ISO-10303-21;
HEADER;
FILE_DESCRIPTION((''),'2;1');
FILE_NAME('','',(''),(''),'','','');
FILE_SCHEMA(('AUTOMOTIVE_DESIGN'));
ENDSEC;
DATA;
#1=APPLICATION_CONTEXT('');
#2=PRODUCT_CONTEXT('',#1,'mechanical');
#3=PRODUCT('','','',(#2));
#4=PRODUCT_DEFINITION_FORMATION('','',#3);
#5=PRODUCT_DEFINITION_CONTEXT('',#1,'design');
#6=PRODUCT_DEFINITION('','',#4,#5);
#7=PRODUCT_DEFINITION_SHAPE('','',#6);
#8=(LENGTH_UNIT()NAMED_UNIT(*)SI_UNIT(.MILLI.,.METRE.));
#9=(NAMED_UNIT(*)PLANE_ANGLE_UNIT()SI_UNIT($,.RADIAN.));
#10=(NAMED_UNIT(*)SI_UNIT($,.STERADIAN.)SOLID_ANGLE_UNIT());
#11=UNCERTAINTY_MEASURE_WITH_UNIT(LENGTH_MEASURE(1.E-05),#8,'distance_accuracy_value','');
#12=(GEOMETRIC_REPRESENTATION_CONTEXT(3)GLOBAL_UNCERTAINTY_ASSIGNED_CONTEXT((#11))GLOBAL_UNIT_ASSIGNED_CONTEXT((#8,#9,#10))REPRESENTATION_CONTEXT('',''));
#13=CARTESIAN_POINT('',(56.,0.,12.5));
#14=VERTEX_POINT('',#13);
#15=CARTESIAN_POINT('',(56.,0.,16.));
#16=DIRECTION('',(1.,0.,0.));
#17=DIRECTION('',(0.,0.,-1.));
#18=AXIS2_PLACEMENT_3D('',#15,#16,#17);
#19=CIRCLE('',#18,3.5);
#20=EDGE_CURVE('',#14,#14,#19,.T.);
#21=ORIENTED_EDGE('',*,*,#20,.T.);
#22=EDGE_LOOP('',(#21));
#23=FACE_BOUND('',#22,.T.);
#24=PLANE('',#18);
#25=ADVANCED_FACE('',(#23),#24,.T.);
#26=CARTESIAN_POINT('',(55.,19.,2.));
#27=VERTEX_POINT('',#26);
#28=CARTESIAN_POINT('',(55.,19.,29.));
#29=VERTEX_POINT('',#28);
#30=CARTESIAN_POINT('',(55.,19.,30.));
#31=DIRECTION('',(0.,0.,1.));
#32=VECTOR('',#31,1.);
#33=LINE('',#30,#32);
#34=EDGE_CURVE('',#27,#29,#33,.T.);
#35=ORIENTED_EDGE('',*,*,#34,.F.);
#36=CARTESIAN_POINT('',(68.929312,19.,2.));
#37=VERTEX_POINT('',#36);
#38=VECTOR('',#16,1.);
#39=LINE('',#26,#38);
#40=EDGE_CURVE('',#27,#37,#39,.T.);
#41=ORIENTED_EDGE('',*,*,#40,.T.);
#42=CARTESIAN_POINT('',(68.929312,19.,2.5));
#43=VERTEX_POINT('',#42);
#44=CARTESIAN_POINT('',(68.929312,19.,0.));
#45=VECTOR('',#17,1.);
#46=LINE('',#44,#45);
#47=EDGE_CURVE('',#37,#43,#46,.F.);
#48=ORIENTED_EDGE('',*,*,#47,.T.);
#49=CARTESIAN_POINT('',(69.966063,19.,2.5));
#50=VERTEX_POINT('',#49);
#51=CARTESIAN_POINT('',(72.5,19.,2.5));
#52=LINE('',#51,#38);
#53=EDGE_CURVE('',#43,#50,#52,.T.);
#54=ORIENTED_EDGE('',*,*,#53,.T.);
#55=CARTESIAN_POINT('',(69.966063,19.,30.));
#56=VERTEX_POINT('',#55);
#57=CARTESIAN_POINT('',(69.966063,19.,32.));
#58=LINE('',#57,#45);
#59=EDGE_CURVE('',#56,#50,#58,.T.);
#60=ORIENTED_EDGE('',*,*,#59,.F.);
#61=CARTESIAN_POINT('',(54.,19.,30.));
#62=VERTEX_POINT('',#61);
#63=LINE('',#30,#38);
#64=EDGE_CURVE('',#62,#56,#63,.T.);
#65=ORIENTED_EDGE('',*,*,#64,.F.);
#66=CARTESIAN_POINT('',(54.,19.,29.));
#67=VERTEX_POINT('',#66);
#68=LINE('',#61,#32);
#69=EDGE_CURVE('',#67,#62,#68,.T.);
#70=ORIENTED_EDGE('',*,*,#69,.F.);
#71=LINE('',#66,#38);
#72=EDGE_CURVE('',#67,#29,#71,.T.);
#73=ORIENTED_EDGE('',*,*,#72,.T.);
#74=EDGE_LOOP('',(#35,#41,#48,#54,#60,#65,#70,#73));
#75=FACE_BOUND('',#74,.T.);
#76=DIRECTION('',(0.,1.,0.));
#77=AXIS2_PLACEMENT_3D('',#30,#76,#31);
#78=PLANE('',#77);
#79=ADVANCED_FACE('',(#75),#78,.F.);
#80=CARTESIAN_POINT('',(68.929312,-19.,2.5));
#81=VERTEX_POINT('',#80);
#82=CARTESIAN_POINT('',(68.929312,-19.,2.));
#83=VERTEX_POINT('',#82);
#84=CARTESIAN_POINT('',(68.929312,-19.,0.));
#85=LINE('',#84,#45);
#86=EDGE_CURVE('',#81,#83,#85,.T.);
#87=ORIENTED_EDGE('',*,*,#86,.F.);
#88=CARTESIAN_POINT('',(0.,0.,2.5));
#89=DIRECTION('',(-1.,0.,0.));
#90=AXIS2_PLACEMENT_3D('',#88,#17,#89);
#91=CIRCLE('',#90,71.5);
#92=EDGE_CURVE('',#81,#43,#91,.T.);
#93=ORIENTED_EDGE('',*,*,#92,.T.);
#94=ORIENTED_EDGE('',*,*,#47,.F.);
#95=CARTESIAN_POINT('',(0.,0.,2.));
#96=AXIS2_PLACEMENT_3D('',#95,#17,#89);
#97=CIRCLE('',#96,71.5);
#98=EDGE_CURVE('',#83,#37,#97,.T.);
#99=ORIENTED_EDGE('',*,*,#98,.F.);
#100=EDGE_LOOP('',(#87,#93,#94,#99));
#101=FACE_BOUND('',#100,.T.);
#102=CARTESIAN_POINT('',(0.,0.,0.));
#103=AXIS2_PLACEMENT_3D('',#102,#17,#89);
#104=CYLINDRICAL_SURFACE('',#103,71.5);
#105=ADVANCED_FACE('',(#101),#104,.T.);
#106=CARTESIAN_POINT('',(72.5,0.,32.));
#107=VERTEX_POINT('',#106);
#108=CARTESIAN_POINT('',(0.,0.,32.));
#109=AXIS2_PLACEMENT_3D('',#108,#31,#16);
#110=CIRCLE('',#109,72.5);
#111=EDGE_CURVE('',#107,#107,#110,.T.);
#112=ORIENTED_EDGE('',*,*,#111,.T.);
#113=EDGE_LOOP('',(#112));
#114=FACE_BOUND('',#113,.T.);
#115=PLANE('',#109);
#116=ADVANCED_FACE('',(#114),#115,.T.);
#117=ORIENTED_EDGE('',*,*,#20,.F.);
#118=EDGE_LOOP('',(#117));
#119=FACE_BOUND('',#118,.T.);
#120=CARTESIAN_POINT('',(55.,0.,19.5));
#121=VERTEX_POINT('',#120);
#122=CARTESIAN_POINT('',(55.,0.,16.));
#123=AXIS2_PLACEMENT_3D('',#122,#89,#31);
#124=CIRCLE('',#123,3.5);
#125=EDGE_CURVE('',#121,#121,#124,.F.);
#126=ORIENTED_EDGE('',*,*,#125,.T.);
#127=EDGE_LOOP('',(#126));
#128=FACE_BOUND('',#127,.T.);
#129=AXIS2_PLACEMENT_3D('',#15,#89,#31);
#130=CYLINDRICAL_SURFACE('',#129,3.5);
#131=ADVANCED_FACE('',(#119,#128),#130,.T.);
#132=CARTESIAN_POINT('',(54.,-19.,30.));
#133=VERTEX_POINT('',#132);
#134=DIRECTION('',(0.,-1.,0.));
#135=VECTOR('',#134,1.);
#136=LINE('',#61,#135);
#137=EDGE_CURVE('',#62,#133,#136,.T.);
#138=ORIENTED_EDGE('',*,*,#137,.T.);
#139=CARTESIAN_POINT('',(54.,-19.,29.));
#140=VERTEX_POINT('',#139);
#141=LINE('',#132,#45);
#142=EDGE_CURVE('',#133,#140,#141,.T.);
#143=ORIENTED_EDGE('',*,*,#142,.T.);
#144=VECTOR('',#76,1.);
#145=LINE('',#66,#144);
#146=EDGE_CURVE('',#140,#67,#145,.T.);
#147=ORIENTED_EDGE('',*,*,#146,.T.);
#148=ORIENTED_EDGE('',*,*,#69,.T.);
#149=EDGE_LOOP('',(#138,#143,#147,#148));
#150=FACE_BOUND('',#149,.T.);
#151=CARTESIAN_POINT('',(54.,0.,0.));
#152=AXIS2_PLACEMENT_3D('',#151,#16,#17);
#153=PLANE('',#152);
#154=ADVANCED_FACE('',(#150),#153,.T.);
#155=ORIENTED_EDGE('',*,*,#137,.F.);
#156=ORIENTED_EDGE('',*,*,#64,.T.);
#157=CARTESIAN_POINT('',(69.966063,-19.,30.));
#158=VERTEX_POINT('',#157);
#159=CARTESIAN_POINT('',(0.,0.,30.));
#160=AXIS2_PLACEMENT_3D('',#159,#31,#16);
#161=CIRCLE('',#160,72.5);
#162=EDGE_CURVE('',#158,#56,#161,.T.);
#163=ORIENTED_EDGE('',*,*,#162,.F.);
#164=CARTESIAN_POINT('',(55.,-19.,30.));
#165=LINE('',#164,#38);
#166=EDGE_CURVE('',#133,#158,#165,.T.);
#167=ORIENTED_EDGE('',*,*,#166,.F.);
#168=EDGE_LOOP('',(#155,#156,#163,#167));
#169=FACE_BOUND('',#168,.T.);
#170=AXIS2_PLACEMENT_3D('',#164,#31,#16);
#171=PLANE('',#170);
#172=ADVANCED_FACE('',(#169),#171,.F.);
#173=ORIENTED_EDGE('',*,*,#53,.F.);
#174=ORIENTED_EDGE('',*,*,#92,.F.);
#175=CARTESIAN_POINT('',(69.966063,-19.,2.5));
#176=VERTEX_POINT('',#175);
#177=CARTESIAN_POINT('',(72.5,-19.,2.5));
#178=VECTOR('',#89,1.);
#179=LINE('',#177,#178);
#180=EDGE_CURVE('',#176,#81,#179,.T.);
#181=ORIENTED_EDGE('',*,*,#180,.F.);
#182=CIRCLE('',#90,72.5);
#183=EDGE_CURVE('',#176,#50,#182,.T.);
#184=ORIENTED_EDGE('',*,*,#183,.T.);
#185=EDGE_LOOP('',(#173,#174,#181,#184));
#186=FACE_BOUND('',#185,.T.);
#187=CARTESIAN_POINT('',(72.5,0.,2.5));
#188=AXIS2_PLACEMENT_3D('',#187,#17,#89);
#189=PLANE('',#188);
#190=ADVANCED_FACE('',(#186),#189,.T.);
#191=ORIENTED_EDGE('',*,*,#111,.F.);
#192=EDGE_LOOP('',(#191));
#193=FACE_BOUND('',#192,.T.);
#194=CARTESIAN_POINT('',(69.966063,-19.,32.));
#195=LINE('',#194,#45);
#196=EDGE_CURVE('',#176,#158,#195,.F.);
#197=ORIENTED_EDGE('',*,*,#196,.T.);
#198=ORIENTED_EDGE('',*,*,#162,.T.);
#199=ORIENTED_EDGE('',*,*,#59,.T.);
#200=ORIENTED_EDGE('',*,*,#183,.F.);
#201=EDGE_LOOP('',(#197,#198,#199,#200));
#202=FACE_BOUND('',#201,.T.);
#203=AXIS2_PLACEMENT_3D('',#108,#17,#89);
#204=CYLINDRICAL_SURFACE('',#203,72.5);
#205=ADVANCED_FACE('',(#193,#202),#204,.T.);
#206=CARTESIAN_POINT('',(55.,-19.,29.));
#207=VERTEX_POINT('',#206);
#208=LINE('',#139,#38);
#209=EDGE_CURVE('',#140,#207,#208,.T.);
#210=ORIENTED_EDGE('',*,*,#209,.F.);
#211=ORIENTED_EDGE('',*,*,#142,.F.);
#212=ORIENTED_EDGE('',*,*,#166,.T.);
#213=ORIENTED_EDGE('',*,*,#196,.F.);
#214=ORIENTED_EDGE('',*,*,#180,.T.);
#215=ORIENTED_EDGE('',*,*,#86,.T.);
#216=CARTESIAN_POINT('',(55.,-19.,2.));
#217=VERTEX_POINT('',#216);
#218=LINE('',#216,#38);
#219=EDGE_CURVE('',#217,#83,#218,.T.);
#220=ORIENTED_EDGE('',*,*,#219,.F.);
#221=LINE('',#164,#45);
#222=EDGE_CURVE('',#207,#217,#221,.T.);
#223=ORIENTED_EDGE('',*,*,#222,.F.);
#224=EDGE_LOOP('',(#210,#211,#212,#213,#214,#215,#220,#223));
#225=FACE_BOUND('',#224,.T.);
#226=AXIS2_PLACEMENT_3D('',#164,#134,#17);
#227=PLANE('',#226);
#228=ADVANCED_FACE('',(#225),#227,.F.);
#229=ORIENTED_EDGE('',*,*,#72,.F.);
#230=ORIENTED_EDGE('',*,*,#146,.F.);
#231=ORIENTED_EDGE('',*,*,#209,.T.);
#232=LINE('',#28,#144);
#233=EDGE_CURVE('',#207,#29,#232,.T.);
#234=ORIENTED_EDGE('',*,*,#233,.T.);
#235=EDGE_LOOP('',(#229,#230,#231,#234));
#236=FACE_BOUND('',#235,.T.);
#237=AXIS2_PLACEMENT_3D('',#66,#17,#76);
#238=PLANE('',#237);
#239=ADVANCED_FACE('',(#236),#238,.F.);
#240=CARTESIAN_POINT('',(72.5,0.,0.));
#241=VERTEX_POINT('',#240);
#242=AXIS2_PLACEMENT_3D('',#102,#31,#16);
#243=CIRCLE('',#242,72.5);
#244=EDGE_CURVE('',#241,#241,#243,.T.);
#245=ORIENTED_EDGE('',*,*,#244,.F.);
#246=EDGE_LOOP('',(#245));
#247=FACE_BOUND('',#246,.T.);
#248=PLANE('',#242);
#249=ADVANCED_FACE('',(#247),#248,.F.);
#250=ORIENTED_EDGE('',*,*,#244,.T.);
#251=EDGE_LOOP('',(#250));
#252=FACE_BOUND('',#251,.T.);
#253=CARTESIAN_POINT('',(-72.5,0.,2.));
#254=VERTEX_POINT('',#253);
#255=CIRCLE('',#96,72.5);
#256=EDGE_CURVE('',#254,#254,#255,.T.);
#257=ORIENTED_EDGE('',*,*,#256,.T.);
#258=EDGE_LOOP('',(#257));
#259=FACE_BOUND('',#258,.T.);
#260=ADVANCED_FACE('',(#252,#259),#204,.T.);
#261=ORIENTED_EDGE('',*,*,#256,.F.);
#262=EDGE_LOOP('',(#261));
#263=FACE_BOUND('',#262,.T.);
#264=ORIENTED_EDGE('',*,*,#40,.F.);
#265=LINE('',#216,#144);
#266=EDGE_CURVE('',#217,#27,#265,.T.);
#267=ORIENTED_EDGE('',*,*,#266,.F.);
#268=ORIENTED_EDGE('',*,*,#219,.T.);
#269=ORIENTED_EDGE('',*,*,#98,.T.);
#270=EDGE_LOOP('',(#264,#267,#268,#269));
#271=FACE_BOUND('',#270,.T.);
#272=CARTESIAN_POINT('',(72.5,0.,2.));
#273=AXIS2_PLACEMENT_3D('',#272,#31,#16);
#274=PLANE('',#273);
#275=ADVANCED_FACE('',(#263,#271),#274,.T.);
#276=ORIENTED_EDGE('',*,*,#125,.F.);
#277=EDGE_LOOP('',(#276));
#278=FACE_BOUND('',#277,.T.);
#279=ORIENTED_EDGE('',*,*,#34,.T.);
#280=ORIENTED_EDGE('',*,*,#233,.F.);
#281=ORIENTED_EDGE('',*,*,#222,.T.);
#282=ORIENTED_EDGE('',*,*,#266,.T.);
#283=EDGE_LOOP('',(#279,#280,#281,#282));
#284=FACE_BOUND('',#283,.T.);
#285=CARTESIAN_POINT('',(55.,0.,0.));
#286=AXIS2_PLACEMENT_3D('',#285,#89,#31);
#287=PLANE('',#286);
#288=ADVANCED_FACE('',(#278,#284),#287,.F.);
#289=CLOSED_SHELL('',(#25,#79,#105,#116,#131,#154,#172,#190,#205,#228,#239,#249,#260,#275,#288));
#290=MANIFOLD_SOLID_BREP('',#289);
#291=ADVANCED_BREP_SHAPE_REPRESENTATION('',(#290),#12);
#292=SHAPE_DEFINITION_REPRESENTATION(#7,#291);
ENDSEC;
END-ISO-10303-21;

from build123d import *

# Parameters (mm, degrees)
SKIZZE2_R              = 72.5
BASE_DEPTH             = 32
SKIZZE3_W              = 1
SKIZZE3_H              = 0.5
SKIZZE4_W              = 28
SKIZZE4_H              = 38
FRONT_CAMERA_CUT_DEPTH = 17.5
SKIZZE5_W              = 1
SKIZZE5_H              = 38
FRONT_DETAIL_DEPTH     = 1
SKIZZE6_R              = 3.5
CAMERA_DETAIL_DEPTH    = 1


with BuildPart() as part:
    # Skizze2 → Base (new body)
    with BuildSketch(Plane.XY):
        Circle(SKIZZE2_R)
    extrude(amount=BASE_DEPTH)

    # Skizze3 → Cover Seam (revolve, cut)
    with BuildSketch(Plane(origin=(0, 0, 0), x_dir=(1, 0, 0), z_dir=(0, 1, 0)), mode=Mode.PRIVATE) as cover_seam_sk:
        with Locations((72, -2.25)):
            Rectangle(SKIZZE3_W, SKIZZE3_H)
    revolve(cover_seam_sk.sketch.rotate(Axis((0, 0, 0), (0, 0, 1)), 180), axis=Axis((0, 0, 0), (0, 0, 1)), mode=Mode.SUBTRACT)

    # Skizze4 → Front Camera Cut (cut)
    with BuildSketch(Plane(origin=(72.5, 0, 0), x_dir=(0, 0, -1), z_dir=(1, 0, 0))):
        with Locations((-16, 0)):
            Rectangle(SKIZZE4_W, SKIZZE4_H)
    extrude(amount=-FRONT_CAMERA_CUT_DEPTH, mode=Mode.SUBTRACT)

    # Skizze5 → Front Detail (cut)
    with BuildSketch(Plane(origin=(55, 0, 0), x_dir=(0, 0, -1), z_dir=(1, 0, 0))):
        with Locations((-29.5, 0)):
            Rectangle(SKIZZE5_W, SKIZZE5_H)
    extrude(amount=-FRONT_DETAIL_DEPTH, mode=Mode.SUBTRACT)

    # Skizze6 → Camera Detail (add)
    with BuildSketch(Plane(origin=(55, 0, 0), x_dir=(0, 0, -1), z_dir=(1, 0, 0))):
        with Locations(Location((-16, 0, 0), (0, 0, 180))):
            Circle(SKIZZE6_R)
    extrude(amount=CAMERA_DETAIL_DEPTH)


solid = part.part
